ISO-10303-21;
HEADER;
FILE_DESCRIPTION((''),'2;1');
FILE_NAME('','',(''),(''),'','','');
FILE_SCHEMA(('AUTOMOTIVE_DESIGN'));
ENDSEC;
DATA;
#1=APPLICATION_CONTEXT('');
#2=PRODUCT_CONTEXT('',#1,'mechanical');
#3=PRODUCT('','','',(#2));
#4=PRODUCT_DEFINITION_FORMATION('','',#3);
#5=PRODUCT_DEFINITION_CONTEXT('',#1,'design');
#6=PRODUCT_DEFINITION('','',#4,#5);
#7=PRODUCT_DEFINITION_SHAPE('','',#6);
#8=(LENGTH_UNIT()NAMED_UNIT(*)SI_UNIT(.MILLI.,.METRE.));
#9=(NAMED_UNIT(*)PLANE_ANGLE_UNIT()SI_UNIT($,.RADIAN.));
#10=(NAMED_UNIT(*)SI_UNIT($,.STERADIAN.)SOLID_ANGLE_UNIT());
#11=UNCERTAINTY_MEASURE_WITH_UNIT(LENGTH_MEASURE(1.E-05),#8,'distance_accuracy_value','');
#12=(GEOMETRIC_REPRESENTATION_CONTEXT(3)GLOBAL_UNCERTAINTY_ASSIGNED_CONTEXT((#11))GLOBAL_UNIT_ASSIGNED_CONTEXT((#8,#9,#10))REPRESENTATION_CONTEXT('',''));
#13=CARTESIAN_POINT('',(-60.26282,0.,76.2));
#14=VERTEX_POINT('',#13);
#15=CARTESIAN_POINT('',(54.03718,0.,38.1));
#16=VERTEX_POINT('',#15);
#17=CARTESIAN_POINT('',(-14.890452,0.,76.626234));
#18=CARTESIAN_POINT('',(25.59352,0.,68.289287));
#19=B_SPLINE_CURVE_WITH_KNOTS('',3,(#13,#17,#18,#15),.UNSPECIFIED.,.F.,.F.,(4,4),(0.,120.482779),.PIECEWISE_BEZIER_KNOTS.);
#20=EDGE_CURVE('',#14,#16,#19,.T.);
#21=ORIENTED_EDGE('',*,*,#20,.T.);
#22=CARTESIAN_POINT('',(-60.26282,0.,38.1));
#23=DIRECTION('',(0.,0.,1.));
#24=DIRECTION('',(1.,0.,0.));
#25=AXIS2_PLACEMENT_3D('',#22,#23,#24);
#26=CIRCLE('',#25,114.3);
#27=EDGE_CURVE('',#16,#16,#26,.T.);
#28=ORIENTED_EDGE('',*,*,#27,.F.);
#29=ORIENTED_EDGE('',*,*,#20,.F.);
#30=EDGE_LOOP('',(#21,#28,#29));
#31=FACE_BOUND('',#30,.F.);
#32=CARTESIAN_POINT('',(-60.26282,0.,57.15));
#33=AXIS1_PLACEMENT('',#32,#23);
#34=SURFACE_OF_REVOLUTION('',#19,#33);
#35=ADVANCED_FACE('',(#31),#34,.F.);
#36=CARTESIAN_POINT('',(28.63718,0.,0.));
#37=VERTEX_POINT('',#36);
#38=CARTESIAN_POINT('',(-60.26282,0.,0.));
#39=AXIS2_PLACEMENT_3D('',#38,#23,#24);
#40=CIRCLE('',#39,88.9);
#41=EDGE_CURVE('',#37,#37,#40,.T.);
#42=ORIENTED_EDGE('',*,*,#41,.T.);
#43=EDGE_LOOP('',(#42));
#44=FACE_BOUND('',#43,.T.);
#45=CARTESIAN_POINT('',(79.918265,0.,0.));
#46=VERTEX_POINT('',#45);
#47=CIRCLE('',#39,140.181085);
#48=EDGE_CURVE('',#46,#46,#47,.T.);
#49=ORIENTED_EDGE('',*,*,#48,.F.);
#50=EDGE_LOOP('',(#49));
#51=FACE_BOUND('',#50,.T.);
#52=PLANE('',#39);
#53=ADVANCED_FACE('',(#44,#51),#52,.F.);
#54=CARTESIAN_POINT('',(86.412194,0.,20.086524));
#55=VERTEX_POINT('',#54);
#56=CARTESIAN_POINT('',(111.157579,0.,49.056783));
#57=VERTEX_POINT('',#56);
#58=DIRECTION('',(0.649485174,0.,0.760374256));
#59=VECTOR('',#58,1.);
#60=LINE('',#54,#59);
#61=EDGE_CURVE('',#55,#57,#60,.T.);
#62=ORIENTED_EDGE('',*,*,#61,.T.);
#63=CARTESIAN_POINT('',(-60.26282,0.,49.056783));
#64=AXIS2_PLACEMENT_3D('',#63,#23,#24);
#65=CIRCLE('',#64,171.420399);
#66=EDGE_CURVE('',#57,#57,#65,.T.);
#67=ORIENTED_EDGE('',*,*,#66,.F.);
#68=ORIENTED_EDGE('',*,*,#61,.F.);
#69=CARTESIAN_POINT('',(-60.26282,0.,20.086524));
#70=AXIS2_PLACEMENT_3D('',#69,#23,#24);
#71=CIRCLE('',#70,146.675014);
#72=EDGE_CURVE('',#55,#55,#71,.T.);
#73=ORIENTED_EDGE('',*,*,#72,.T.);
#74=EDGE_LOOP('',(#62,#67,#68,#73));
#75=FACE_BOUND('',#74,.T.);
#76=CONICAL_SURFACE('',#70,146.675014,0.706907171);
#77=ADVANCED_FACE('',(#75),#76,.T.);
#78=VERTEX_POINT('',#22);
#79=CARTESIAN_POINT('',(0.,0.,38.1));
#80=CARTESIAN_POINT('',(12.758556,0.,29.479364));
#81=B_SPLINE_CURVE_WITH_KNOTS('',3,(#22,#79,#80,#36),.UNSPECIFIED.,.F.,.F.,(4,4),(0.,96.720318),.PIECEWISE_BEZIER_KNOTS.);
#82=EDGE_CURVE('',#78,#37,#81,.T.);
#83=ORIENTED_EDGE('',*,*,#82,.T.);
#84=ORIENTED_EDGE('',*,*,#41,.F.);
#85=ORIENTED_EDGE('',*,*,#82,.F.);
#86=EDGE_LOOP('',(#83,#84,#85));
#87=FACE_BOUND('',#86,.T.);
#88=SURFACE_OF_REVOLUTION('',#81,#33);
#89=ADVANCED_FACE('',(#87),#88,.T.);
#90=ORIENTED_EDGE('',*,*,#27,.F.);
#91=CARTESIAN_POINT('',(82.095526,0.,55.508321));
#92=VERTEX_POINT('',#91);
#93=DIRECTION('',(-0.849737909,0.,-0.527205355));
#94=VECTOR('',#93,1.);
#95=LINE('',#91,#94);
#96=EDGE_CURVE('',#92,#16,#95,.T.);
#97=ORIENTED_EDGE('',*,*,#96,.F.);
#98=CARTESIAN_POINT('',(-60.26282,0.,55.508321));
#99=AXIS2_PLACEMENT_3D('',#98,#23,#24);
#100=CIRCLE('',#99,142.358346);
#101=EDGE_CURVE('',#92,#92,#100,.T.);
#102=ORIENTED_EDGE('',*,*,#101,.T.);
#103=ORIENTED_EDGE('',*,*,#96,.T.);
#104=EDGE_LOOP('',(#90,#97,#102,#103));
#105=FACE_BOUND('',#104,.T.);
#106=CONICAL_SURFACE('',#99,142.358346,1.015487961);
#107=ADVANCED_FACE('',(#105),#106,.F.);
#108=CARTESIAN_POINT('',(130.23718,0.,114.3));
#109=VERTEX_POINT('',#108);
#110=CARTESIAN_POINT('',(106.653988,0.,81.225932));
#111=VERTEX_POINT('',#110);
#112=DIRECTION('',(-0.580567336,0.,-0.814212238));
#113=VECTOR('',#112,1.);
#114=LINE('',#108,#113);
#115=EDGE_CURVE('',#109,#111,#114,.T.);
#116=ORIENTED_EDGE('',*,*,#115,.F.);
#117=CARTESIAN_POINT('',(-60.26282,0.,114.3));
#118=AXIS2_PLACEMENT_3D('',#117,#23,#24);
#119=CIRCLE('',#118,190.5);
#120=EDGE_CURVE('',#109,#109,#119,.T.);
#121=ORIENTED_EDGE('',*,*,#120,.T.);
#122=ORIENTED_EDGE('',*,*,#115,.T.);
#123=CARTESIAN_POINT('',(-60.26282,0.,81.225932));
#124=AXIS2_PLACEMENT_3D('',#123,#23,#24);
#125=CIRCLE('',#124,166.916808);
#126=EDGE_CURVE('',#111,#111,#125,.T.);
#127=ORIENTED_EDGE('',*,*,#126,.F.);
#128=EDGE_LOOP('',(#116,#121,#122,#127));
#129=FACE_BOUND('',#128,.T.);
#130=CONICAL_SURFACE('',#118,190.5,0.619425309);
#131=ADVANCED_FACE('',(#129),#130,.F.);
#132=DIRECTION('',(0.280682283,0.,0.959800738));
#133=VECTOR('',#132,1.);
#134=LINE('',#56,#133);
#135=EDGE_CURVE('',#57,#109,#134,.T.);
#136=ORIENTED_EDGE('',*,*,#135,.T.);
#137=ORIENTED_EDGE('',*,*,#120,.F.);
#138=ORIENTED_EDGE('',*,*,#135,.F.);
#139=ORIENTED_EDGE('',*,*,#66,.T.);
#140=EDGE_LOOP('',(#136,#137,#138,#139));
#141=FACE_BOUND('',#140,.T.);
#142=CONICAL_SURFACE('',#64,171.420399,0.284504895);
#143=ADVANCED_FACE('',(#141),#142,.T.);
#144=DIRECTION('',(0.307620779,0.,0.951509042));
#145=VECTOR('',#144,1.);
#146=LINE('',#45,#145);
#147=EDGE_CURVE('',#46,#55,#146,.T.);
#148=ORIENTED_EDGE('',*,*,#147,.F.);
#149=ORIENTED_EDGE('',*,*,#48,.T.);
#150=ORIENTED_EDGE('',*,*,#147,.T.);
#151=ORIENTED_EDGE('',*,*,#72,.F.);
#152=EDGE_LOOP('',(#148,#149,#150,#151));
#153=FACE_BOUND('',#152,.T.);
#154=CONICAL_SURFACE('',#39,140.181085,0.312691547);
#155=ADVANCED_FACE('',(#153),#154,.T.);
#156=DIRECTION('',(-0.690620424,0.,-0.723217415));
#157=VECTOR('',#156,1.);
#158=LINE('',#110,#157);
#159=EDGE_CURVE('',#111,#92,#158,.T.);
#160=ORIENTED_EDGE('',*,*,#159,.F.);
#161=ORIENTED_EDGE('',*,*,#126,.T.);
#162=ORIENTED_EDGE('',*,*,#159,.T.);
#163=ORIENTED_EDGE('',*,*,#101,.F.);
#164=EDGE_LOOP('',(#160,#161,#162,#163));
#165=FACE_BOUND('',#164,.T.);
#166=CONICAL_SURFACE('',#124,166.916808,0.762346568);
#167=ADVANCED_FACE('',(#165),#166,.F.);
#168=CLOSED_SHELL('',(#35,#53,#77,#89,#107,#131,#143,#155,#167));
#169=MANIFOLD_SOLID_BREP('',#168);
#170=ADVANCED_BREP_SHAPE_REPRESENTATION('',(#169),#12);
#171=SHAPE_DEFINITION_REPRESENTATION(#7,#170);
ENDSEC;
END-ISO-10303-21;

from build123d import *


with BuildPart() as f1:
    # F0 (on Front) → F1 (revolve)
    with BuildSketch(Plane.XZ):
        with BuildLine():
            Line((-60.26282, 76.2), (-60.26282, 38.1))
            add(Edge.make_bspline(
                [(-60.26282, 38.1), (0, 38.1), (12.758556, 29.479364), (28.63718, 0)],
                knots=[0, 0, 0, 0, 96.720318, 96.720318, 96.720318, 96.720318], degree=3))
            Line((28.63718, 0), (54.03718, 0))
            Line((54.03718, 0), (79.918265, 0))
            Line((79.918265, 0), (86.412194, 20.086524))
            Line((86.412194, 20.086524), (111.157579, 49.056783))
            Line((111.157579, 49.056783), (130.23718, 114.3))
            Line((130.23718, 114.3), (106.653988, 81.225932))
            Line((106.653988, 81.225932), (82.095526, 55.508321))
            Line((82.095526, 55.508321), (54.03718, 38.1))
            add(Edge.make_bspline(
                [(-60.26282, 76.2), (-14.890452, 76.626234), (25.59352, 68.289287), (54.03718, 38.1)],
                knots=[0, 0, 0, 0, 120.482779, 120.482779, 120.482779, 120.482779], degree=3))
        make_face()
    revolve(axis=Axis((-60.26282, 0, 57.15), (0, 0, 1)))


solid = f1.part
